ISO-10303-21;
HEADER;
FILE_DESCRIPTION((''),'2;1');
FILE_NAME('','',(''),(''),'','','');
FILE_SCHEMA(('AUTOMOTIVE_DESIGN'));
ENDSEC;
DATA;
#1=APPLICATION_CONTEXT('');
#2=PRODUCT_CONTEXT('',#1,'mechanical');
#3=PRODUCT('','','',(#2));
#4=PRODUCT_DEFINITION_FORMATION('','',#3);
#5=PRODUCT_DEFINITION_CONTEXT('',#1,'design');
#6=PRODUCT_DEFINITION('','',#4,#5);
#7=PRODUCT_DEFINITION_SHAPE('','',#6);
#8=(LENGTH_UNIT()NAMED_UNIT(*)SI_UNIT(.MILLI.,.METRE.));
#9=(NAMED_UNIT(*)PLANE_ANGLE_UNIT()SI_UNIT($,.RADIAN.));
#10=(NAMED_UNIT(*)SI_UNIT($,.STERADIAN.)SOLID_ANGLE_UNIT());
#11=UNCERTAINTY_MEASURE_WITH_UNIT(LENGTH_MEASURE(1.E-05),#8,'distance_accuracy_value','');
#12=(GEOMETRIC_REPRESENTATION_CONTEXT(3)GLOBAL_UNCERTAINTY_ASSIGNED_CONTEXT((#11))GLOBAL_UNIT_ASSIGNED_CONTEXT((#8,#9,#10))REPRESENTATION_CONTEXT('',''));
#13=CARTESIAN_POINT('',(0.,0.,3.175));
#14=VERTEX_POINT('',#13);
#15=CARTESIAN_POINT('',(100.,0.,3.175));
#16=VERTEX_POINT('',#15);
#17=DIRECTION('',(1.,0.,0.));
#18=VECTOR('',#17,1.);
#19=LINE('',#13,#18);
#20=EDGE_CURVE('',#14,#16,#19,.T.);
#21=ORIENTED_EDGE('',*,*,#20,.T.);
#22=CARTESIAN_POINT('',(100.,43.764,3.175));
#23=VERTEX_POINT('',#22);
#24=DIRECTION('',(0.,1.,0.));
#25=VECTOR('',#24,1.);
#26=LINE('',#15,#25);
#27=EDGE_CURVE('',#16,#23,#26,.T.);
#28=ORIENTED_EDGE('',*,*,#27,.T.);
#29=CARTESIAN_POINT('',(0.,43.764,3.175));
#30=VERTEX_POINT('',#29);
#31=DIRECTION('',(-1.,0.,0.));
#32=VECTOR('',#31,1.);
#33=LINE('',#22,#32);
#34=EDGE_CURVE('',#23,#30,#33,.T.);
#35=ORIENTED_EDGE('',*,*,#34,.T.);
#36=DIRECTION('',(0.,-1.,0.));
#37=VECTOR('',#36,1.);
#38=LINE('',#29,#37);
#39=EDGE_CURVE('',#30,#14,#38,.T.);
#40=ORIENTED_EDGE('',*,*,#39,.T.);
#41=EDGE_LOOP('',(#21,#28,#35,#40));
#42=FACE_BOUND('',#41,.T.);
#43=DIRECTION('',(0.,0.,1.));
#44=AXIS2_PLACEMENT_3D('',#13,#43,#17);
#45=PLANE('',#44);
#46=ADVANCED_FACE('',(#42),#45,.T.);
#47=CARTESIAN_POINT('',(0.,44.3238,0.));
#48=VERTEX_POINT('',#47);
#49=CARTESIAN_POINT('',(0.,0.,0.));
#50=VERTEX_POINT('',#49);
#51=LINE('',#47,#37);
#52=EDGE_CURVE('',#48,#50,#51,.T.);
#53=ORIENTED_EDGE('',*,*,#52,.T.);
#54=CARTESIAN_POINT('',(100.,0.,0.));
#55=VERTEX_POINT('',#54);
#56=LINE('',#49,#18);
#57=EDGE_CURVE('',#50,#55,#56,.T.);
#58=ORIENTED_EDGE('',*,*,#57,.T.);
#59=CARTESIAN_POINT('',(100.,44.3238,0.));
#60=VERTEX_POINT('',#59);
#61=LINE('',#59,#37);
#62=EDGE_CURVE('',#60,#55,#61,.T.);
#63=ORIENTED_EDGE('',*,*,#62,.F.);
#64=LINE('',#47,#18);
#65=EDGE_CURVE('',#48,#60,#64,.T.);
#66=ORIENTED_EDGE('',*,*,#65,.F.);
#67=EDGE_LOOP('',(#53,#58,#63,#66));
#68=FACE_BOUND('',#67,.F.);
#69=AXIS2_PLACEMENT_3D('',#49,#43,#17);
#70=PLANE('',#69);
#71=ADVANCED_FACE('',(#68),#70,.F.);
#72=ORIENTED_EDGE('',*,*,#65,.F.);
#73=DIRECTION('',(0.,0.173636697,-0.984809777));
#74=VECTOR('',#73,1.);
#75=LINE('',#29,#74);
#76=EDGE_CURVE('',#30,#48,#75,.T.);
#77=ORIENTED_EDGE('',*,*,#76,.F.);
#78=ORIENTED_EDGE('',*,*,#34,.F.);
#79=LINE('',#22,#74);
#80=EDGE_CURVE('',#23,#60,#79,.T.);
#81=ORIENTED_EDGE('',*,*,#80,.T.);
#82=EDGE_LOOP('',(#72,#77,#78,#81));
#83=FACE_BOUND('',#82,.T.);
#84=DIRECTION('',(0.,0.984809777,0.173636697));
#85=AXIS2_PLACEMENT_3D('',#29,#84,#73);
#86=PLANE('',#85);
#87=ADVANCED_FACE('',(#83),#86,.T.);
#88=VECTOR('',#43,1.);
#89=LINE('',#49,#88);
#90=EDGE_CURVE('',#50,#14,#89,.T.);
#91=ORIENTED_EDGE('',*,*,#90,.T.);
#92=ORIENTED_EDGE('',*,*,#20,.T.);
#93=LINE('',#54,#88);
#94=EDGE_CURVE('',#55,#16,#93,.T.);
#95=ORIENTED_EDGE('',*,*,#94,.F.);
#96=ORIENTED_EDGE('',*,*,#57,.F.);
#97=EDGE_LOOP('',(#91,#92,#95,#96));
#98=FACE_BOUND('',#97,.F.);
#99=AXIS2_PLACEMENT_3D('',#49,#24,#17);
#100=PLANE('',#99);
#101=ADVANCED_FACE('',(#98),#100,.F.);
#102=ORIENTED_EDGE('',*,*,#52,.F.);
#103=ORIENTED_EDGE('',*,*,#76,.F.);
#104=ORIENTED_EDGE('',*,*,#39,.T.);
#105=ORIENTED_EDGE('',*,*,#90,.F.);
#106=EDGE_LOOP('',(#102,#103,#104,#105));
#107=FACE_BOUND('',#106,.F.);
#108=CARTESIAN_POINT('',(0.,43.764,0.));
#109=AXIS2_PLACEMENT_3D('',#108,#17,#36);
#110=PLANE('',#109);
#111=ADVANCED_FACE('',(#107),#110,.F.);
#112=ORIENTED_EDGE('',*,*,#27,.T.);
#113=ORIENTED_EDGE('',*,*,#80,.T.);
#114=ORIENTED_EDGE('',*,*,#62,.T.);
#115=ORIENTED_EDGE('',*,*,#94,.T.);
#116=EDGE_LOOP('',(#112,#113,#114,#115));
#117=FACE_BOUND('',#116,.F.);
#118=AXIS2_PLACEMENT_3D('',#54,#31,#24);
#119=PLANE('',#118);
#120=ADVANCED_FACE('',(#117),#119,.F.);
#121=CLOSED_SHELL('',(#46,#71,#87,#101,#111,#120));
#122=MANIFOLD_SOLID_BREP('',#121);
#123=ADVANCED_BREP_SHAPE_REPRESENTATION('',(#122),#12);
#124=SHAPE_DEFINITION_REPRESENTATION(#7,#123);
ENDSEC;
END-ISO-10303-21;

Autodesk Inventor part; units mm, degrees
ref_plane "YZ Plane" through (0, 0, 0) normal (1, 0, 0) x (0, 1, 0)
ref_plane "XZ Plane" through (0, 0, 0) normal (0, 1, 0) x (-1, 0, 0)
ref_plane "XY Plane" through (0, 0, 0) normal (0, 0, 1) x (1, 0, 0)
sketch "Sketch1" plane through (0, 0, 0) normal (0, 0, 1) x (1, 0, 0)
  line L0 (0, 0) -> (100, 0)
  line L1 (100, 0) -> (100, 43.764)
  line L2 (100, 43.764) -> (0, 43.764)
  line L3 (0, 43.764) -> (0, 0)
  dimension "d0" = 100
  dimension "d1" = 43.764
extrude "Extrusion1" add sketch "Sketch1" along normal blind 3.175
sketch "Sketch2" plane through (0, 0, 0) normal (-1, 0, 0) x (0, 0, 1)
  line L0 (3.175, 0) -> (3.175, 43.764) projected
  line L1 (3.175, 43.764) -> (0, 44.3238)
  line L2 (3.175, 43.764) -> (21.1062, 43.764) construction
  line L3 (3.175, 43.764) -> (0, 43.764)
  line L4 (0, 43.764) -> (0, 44.3238)
  point P0 (0, 0)
  dimension "d4" = 170
extrude "Extrusion2" add sketch "Sketch2" against normal blind 100
properties part number "back" material "Acrylic"
